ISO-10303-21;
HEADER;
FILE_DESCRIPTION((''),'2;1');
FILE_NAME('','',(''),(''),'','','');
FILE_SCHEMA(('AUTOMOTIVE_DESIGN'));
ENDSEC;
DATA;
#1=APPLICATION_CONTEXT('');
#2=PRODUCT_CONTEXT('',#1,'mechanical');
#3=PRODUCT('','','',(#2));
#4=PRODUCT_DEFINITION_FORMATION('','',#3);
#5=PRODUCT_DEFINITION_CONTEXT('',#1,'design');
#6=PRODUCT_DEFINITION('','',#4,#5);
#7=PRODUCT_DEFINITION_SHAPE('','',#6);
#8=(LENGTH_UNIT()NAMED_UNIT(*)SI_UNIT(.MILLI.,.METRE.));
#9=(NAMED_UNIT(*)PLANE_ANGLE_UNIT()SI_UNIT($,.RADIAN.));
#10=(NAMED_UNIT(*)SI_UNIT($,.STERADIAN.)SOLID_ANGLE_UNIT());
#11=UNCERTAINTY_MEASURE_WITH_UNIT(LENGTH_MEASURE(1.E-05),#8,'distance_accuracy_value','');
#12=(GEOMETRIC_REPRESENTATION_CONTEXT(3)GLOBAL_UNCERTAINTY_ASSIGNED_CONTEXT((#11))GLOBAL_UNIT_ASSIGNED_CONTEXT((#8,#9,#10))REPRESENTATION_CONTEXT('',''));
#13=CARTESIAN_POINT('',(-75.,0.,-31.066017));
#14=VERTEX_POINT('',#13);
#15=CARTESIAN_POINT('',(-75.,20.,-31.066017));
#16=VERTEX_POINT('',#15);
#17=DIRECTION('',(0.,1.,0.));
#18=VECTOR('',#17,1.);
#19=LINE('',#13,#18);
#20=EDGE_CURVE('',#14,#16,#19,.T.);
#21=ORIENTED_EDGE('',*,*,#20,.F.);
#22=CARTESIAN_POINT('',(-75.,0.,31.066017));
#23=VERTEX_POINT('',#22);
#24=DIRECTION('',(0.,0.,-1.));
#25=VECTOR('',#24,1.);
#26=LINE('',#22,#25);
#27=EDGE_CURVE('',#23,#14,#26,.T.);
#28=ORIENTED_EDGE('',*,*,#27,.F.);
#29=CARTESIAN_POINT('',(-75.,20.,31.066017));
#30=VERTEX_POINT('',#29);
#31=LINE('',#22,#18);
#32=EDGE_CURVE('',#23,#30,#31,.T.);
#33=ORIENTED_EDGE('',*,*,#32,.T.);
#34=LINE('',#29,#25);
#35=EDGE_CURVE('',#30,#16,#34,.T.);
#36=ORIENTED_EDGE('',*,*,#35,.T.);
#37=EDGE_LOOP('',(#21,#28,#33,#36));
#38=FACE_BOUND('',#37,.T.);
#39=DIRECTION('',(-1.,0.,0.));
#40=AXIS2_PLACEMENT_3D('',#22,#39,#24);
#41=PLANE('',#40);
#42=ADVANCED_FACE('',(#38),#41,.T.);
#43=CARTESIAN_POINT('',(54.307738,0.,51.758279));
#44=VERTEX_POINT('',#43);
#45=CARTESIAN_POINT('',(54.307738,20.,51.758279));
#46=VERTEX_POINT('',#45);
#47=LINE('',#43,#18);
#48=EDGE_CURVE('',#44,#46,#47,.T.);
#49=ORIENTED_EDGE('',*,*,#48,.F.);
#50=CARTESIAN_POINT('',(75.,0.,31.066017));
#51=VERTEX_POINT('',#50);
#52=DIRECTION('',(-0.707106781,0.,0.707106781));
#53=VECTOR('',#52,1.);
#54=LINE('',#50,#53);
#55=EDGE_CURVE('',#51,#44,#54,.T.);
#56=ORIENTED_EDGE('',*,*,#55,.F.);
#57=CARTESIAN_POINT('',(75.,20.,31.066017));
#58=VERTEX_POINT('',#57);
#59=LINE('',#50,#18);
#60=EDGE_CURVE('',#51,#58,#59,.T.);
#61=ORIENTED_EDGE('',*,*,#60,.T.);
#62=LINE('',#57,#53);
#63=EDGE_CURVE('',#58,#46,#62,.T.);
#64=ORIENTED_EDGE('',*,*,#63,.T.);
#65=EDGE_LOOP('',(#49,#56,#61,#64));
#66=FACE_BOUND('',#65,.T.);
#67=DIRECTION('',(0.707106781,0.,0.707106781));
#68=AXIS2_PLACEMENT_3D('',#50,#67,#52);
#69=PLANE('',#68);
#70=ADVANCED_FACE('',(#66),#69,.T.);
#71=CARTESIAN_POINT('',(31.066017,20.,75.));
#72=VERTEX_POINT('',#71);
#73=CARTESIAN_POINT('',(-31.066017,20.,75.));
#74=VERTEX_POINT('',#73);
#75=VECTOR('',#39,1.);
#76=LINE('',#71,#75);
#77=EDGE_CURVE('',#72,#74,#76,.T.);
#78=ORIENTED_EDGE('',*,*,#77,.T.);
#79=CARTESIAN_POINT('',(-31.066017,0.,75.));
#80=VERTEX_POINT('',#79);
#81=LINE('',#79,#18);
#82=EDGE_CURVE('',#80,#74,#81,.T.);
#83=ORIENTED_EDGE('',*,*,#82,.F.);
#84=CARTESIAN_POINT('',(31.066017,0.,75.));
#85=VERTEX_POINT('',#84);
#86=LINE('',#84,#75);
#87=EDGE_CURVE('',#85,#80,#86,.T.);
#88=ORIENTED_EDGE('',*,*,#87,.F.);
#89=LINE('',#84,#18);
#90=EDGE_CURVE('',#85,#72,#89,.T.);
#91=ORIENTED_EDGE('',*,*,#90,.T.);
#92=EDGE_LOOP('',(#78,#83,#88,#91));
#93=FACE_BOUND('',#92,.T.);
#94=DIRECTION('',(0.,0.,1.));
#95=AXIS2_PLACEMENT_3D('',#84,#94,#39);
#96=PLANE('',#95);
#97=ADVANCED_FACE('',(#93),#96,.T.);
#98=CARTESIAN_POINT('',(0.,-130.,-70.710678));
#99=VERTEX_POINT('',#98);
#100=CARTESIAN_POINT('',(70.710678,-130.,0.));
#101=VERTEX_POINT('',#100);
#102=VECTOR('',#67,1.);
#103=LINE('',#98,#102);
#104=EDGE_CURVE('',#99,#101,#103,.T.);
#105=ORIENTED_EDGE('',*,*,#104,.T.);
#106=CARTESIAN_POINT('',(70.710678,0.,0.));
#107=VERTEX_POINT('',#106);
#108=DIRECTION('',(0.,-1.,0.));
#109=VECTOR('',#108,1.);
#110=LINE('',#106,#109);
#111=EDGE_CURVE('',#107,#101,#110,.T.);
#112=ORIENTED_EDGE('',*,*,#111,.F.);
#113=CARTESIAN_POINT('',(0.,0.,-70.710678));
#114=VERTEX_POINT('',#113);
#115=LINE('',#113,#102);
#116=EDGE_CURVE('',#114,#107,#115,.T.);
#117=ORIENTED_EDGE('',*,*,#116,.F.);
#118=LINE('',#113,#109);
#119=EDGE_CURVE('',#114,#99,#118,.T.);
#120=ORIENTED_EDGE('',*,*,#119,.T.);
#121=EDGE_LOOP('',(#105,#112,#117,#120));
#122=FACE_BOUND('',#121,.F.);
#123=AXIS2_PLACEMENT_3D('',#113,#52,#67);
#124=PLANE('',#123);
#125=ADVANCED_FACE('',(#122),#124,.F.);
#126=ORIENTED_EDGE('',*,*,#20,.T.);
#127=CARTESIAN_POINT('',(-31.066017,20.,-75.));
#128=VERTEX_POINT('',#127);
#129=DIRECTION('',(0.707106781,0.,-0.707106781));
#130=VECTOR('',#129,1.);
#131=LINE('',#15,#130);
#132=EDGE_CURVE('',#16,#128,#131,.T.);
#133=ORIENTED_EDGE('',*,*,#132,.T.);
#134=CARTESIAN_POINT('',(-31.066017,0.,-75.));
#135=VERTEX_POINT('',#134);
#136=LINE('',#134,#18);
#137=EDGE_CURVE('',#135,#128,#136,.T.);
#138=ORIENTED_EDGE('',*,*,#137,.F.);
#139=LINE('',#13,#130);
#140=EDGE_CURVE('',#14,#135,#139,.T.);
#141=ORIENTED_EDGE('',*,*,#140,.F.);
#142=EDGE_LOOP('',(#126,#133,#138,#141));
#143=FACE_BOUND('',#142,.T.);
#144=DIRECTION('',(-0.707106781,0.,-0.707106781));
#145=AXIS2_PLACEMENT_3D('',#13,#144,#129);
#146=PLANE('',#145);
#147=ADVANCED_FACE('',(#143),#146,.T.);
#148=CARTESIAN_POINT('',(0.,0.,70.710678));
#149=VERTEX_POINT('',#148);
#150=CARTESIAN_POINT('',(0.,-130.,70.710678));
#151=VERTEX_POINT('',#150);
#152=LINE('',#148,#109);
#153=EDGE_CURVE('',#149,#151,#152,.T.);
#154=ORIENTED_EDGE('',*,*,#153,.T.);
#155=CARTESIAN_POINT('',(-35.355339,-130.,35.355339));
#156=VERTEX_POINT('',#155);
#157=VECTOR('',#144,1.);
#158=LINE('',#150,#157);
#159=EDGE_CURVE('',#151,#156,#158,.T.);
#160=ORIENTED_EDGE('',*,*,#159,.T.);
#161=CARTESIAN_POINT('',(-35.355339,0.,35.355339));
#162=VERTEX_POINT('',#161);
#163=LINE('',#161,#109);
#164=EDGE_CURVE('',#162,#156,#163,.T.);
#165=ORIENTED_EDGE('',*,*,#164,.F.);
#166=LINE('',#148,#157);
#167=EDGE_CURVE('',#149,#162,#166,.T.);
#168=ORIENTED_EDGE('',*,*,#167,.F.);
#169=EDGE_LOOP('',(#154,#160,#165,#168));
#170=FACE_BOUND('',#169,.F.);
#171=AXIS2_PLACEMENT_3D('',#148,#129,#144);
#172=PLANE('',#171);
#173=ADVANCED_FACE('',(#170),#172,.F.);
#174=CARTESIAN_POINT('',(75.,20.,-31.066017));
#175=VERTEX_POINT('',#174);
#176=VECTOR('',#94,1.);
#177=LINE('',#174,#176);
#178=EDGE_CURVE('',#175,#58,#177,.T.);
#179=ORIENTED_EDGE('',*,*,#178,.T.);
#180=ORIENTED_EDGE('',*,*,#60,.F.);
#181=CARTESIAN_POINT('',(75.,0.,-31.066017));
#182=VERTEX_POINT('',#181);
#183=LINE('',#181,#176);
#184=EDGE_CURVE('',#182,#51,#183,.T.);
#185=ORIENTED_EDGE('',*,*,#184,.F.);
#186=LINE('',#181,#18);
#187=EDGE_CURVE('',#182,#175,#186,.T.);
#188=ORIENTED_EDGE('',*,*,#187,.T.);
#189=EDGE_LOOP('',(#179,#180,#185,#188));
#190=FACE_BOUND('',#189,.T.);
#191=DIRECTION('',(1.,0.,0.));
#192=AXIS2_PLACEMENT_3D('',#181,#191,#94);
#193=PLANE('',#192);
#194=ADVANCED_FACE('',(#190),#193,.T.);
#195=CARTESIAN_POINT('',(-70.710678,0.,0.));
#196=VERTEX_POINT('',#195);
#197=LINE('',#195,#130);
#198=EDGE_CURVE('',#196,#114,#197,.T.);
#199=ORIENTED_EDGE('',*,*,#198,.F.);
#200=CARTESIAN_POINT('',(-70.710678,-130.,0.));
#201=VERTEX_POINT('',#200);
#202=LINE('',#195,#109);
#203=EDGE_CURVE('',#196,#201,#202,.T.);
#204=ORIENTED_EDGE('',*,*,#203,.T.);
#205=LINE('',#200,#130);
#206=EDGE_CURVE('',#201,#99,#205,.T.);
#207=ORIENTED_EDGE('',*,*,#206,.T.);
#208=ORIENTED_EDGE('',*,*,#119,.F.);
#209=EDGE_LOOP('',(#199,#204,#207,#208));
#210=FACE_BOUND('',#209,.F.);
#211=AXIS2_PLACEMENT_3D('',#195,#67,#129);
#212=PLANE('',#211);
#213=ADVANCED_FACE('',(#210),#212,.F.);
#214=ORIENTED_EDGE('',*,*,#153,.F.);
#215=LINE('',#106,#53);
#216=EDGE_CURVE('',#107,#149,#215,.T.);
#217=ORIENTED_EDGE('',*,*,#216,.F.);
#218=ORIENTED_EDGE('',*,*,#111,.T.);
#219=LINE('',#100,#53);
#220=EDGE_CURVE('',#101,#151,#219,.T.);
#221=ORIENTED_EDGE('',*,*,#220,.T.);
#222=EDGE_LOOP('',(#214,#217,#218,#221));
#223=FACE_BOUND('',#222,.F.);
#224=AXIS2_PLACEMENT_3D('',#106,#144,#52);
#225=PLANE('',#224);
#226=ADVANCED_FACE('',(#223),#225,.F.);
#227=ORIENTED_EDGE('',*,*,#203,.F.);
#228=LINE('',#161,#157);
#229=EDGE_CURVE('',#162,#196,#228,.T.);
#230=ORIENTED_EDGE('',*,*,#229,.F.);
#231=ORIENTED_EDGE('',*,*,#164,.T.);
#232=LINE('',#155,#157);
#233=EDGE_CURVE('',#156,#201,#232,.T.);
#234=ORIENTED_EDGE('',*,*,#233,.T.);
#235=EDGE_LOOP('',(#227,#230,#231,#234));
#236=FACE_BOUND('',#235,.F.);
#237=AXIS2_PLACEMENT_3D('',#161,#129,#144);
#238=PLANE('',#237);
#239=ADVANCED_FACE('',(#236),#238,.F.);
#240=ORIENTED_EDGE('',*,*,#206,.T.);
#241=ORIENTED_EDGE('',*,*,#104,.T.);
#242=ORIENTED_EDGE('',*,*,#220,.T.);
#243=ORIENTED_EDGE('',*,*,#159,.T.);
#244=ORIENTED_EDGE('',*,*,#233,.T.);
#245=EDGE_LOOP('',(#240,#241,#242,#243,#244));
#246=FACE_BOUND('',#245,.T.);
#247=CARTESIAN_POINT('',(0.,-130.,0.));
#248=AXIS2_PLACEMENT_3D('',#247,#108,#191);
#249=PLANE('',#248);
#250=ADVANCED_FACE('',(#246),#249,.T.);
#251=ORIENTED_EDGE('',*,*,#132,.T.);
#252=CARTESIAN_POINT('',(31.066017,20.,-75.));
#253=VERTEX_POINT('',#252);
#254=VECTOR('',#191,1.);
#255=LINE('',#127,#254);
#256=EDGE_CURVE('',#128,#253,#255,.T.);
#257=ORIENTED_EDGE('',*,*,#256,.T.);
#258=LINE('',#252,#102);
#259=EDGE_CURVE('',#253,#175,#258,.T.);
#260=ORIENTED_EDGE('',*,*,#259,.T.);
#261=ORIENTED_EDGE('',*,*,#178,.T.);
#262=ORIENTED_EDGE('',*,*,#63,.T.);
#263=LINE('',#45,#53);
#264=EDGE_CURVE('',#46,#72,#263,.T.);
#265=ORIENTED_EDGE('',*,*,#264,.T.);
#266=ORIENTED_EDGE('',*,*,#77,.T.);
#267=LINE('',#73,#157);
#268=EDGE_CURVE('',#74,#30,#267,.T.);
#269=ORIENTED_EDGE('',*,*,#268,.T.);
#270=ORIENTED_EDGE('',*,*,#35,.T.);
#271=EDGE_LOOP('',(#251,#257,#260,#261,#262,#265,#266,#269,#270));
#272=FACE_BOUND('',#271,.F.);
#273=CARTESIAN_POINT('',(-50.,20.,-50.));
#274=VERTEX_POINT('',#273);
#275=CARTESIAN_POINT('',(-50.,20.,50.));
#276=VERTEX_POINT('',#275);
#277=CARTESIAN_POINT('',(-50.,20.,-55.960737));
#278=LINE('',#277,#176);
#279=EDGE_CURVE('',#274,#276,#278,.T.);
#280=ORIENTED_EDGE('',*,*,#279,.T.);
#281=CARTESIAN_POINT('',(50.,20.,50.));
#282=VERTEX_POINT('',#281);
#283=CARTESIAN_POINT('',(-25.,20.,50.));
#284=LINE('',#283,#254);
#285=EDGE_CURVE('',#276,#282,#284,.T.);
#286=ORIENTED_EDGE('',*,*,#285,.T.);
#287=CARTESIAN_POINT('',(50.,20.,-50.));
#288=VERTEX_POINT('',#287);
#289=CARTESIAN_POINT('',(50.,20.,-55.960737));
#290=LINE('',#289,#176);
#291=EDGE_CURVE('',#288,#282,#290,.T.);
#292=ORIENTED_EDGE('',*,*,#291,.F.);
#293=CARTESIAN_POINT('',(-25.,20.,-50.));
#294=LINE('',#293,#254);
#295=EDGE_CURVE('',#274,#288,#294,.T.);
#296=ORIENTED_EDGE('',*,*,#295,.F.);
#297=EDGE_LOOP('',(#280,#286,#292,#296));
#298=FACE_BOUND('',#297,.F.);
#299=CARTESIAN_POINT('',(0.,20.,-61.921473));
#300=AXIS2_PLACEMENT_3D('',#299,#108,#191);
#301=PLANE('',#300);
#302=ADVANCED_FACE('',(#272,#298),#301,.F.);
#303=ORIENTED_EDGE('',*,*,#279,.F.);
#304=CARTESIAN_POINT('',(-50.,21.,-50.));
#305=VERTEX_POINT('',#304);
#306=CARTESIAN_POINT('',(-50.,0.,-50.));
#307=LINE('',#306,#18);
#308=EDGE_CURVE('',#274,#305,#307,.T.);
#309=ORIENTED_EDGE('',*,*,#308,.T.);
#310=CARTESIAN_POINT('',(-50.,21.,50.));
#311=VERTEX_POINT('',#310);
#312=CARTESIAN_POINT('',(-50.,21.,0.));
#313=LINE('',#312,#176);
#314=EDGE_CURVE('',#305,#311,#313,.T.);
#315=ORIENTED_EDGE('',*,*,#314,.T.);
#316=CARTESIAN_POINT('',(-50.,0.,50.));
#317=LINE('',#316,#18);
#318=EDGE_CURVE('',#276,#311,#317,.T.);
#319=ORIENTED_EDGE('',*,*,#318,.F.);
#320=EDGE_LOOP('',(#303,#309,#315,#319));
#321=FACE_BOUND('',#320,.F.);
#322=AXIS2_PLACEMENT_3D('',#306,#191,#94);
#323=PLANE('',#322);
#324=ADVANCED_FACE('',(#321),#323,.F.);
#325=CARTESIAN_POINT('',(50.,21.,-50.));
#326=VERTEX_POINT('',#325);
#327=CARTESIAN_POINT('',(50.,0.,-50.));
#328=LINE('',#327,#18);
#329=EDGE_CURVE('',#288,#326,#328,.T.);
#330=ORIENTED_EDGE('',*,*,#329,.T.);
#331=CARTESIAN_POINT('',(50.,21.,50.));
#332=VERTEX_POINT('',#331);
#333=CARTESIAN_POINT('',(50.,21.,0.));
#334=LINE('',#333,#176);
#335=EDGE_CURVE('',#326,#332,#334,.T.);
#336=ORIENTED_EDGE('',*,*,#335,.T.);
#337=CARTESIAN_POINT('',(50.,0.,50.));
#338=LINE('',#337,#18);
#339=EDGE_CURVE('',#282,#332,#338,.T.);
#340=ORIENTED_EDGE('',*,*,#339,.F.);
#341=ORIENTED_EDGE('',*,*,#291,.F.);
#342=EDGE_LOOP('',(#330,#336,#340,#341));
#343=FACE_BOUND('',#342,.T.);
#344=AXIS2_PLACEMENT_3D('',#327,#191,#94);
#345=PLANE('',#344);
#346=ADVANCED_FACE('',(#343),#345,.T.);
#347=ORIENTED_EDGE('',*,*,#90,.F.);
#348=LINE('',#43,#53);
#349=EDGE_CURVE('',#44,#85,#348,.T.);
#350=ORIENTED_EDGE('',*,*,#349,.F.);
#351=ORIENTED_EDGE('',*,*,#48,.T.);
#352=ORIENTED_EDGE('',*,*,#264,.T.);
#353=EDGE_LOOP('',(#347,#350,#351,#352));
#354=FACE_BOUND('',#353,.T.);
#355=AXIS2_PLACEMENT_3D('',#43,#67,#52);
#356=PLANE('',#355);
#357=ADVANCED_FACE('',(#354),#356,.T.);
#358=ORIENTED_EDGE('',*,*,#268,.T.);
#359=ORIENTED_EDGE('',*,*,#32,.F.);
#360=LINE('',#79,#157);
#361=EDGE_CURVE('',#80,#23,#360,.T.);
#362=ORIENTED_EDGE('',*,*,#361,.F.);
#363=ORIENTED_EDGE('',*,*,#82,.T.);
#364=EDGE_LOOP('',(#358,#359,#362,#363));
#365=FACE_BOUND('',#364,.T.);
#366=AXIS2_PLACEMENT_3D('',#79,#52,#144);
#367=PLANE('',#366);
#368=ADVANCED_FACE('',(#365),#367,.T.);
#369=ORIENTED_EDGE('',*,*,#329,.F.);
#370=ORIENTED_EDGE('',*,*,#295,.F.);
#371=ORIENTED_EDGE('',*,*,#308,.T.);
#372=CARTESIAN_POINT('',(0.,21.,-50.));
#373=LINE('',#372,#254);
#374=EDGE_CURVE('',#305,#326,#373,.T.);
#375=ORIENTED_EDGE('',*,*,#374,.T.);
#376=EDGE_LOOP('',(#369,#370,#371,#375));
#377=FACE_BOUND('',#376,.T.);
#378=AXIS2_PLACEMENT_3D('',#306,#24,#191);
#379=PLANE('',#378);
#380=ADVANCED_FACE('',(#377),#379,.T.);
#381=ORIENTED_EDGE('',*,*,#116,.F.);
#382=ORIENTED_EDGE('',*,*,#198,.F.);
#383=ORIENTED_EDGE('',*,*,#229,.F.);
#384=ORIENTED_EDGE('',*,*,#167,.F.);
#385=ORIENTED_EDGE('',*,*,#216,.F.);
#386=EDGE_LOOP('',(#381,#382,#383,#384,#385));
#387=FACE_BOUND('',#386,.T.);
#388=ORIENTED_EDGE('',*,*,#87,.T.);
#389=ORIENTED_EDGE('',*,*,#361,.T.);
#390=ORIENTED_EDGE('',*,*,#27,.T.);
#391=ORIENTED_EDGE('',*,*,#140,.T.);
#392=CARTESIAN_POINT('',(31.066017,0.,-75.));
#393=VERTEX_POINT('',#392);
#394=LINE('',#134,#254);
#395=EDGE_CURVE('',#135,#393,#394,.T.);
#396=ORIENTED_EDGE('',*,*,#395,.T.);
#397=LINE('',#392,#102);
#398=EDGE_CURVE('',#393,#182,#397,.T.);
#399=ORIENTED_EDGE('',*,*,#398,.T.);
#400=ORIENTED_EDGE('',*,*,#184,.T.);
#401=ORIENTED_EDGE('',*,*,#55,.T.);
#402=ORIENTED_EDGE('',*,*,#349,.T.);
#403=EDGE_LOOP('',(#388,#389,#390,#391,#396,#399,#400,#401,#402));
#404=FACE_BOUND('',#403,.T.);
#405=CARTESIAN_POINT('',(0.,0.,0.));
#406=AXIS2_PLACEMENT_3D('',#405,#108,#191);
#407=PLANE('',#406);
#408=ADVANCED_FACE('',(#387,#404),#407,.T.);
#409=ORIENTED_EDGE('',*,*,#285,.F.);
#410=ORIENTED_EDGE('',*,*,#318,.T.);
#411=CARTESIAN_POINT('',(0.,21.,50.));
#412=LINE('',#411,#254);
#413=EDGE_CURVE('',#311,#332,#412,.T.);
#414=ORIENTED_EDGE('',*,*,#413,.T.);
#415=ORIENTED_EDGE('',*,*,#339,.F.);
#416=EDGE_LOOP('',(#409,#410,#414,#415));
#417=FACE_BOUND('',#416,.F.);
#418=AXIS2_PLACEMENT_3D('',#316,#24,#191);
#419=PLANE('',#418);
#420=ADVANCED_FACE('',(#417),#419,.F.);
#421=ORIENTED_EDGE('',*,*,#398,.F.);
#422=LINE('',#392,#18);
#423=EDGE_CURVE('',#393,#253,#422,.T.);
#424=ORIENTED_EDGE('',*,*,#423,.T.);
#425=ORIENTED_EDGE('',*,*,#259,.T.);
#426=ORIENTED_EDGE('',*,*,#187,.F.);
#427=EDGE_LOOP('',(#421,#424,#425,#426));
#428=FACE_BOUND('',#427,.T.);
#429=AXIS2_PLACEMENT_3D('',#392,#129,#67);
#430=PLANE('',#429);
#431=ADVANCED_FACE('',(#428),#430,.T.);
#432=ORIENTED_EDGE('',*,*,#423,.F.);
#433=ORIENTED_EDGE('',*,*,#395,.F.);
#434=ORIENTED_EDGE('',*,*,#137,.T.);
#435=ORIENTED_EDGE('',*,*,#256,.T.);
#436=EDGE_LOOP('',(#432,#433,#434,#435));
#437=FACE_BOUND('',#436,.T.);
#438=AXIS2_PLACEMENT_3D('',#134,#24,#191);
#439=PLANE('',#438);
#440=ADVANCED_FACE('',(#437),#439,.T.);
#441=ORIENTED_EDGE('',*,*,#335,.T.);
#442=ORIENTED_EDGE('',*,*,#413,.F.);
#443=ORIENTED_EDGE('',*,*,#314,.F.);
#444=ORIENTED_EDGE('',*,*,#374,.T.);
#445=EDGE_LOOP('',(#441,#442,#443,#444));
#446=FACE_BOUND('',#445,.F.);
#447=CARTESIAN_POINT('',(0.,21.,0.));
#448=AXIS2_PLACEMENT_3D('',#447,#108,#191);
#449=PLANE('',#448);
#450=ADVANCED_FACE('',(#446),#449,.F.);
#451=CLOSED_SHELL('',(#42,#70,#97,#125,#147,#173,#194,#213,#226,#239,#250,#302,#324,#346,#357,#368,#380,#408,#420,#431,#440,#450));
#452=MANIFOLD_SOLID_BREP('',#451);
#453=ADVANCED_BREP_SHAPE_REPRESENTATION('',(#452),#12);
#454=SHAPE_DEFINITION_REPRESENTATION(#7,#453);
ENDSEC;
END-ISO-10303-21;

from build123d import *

# Parameters (mm, degrees)
F1_DEPTH = 20
F2_W     = 100
F2_H     = 100
F3_DEPTH = 21
F5_DEPTH = 130


with BuildPart() as f1:
    # F0 (on Front) → F1 (new body)
    with BuildSketch(Plane.XZ):
        Polygon((-31.066017178, -75), (31.066017178, -75), (53.033008589, -53.033008589), (-53.033008589, -53.033008589), align=None)
        Polygon((54.3077377365, 51.7582794414), (53.033008589, -53.033008589), (75, -31.066017178), (75, 31.066017178), align=None)
        Polygon((-53.033008589, -53.033008589), (53.033008589, -53.033008589), (54.3077377365, 51.7582794414), (-53.033008589, 53.033008589), align=None)
        Polygon((-75, -31.066017178), (-53.033008589, -53.033008589), (-53.033008589, 53.033008589), (-75, 31.066017178), align=None)
        Polygon((-53.033008589, 53.033008589), (54.3077377365, 51.7582794414), (31.066017178, 75), (-31.066017178, 75), align=None)
    extrude(amount=-F1_DEPTH)

    # F2 (on face) → F3 (join)
    with BuildSketch(Plane.XZ):
        Rectangle(F2_W, F2_H)
    extrude(amount=-F3_DEPTH)

    # F4 (on face) → F5 (join)
    with BuildSketch(Plane.XZ):
        Polygon((0, 70.7106781187), (-35.3553390593, 35.3553390593), (-70.7106781187, 0), (0, -70.7106781187), (70.7106781187, 0), align=None)
    extrude(amount=F5_DEPTH)


solid = f1.part
